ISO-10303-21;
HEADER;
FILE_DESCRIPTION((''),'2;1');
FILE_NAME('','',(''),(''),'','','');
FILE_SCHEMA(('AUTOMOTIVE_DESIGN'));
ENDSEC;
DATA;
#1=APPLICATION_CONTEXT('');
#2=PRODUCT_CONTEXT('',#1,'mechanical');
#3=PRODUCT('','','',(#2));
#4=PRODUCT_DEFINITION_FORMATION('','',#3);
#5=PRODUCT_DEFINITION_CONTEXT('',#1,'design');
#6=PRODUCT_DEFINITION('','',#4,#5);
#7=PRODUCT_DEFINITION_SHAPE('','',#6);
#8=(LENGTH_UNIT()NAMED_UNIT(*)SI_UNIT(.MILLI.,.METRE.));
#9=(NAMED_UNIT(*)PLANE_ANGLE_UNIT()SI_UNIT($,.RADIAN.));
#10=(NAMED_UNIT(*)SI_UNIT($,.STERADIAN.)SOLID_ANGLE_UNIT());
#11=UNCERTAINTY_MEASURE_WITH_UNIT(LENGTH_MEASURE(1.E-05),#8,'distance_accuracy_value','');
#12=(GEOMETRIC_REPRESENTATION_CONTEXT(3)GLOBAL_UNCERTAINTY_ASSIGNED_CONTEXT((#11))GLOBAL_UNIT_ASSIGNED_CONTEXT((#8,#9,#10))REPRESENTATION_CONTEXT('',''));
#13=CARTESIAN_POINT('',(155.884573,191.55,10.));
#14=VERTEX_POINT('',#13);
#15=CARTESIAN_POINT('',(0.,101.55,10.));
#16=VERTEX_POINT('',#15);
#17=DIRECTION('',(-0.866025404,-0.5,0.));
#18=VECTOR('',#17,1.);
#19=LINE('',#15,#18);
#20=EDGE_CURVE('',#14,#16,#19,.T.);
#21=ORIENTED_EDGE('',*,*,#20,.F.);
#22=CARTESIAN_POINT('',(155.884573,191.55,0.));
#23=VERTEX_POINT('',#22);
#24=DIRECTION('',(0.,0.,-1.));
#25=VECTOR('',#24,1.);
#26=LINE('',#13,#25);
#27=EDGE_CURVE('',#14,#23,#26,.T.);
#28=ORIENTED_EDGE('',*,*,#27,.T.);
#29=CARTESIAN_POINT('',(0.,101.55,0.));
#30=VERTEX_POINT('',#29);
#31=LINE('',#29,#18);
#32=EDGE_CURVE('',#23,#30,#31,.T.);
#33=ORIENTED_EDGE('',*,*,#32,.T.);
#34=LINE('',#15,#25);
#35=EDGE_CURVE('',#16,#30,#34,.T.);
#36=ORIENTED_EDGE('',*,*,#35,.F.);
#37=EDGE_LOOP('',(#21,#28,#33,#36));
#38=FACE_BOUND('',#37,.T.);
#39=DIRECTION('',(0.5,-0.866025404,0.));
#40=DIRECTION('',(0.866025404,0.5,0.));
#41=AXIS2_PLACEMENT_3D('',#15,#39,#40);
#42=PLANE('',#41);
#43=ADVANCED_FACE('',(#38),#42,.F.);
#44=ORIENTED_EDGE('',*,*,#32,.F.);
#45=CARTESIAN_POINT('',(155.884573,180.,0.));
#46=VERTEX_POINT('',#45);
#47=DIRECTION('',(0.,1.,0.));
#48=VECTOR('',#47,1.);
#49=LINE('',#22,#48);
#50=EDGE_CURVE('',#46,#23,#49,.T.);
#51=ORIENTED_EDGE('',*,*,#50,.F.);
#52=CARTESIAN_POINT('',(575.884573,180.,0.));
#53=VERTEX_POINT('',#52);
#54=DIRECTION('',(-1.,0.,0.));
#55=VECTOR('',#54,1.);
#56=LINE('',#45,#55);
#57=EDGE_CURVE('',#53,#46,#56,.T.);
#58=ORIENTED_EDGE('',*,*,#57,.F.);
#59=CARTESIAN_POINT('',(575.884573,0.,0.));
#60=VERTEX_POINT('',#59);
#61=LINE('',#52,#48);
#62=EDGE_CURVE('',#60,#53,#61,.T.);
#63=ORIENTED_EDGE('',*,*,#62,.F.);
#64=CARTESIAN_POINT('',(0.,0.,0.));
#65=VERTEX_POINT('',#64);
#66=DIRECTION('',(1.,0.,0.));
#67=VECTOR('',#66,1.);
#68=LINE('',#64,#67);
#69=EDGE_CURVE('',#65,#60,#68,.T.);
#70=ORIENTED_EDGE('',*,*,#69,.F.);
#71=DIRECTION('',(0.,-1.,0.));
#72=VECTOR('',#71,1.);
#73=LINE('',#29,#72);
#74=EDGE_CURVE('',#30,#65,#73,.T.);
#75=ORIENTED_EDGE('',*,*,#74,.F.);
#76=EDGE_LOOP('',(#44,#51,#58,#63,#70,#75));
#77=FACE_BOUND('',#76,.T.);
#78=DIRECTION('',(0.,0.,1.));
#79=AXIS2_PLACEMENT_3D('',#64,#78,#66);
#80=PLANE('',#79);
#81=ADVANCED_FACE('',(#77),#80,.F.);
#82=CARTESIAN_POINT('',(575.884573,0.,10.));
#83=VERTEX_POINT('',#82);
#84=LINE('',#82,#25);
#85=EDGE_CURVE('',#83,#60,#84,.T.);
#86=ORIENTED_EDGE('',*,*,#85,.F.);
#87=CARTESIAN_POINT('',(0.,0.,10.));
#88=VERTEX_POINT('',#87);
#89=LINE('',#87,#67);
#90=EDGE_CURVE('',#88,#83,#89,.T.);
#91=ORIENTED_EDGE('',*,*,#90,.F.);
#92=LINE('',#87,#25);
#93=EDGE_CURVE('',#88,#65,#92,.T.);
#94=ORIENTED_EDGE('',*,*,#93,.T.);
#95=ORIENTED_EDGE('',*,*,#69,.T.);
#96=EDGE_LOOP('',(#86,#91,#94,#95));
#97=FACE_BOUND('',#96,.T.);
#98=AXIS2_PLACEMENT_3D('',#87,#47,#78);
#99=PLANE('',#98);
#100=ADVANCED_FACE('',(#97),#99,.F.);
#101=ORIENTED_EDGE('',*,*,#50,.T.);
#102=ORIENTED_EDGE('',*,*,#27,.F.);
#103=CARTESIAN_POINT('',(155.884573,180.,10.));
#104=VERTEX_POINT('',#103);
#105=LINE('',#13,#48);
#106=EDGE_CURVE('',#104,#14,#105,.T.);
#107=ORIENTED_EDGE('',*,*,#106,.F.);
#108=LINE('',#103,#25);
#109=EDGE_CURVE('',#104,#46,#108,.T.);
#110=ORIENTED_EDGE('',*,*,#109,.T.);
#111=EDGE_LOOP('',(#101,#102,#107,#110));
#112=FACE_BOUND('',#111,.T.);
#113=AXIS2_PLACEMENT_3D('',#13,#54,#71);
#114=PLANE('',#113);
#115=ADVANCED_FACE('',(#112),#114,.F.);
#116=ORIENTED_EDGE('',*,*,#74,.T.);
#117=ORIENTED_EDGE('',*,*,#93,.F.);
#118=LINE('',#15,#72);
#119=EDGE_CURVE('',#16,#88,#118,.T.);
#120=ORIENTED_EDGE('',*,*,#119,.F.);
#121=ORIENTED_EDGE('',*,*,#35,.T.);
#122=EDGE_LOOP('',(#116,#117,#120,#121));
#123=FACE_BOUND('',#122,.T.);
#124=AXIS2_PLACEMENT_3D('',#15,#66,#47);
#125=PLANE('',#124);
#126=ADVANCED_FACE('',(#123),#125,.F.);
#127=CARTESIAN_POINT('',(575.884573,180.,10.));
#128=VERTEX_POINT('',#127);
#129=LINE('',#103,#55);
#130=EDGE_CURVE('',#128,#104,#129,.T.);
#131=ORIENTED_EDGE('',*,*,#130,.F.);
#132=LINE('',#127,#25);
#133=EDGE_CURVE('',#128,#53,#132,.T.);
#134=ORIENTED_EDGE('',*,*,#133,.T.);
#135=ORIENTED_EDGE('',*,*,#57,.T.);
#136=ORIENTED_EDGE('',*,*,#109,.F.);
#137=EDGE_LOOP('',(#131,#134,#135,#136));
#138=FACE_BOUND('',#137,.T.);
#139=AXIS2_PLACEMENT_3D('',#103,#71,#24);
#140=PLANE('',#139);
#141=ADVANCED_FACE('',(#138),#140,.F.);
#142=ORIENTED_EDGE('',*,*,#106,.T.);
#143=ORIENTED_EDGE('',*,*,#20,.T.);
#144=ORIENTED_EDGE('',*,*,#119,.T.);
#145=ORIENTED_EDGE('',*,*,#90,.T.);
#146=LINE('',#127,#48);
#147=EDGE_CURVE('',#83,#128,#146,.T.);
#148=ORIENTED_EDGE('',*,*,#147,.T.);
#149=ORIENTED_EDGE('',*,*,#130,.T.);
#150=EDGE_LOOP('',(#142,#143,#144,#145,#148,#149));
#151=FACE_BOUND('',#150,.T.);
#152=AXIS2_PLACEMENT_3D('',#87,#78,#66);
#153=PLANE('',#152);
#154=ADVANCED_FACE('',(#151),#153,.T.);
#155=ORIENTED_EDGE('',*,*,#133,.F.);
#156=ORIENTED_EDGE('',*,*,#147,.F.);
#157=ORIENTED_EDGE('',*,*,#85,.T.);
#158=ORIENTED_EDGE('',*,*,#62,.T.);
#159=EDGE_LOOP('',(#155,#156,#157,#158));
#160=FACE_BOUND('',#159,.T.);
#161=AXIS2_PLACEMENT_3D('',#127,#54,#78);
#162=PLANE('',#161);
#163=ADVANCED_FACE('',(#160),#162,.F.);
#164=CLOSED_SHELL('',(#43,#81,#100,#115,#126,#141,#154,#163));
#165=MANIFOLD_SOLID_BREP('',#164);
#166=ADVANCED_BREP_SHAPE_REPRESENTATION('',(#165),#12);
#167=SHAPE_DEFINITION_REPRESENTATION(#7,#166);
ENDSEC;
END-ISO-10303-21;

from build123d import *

# Parameters (mm, degrees)
EXTRUDE1_DEPTH = 10


with BuildPart() as part:
    # Sketch3 → Extrude1 (new body)
    with BuildSketch(Plane.XY):
        Polygon((0, 101.55), (155.884572681, 191.55), (155.884572681, 180), (575.884572681, 180), (575.884572681, 0), (0, 0), align=None)
    extrude(amount=EXTRUDE1_DEPTH)


solid = part.part
